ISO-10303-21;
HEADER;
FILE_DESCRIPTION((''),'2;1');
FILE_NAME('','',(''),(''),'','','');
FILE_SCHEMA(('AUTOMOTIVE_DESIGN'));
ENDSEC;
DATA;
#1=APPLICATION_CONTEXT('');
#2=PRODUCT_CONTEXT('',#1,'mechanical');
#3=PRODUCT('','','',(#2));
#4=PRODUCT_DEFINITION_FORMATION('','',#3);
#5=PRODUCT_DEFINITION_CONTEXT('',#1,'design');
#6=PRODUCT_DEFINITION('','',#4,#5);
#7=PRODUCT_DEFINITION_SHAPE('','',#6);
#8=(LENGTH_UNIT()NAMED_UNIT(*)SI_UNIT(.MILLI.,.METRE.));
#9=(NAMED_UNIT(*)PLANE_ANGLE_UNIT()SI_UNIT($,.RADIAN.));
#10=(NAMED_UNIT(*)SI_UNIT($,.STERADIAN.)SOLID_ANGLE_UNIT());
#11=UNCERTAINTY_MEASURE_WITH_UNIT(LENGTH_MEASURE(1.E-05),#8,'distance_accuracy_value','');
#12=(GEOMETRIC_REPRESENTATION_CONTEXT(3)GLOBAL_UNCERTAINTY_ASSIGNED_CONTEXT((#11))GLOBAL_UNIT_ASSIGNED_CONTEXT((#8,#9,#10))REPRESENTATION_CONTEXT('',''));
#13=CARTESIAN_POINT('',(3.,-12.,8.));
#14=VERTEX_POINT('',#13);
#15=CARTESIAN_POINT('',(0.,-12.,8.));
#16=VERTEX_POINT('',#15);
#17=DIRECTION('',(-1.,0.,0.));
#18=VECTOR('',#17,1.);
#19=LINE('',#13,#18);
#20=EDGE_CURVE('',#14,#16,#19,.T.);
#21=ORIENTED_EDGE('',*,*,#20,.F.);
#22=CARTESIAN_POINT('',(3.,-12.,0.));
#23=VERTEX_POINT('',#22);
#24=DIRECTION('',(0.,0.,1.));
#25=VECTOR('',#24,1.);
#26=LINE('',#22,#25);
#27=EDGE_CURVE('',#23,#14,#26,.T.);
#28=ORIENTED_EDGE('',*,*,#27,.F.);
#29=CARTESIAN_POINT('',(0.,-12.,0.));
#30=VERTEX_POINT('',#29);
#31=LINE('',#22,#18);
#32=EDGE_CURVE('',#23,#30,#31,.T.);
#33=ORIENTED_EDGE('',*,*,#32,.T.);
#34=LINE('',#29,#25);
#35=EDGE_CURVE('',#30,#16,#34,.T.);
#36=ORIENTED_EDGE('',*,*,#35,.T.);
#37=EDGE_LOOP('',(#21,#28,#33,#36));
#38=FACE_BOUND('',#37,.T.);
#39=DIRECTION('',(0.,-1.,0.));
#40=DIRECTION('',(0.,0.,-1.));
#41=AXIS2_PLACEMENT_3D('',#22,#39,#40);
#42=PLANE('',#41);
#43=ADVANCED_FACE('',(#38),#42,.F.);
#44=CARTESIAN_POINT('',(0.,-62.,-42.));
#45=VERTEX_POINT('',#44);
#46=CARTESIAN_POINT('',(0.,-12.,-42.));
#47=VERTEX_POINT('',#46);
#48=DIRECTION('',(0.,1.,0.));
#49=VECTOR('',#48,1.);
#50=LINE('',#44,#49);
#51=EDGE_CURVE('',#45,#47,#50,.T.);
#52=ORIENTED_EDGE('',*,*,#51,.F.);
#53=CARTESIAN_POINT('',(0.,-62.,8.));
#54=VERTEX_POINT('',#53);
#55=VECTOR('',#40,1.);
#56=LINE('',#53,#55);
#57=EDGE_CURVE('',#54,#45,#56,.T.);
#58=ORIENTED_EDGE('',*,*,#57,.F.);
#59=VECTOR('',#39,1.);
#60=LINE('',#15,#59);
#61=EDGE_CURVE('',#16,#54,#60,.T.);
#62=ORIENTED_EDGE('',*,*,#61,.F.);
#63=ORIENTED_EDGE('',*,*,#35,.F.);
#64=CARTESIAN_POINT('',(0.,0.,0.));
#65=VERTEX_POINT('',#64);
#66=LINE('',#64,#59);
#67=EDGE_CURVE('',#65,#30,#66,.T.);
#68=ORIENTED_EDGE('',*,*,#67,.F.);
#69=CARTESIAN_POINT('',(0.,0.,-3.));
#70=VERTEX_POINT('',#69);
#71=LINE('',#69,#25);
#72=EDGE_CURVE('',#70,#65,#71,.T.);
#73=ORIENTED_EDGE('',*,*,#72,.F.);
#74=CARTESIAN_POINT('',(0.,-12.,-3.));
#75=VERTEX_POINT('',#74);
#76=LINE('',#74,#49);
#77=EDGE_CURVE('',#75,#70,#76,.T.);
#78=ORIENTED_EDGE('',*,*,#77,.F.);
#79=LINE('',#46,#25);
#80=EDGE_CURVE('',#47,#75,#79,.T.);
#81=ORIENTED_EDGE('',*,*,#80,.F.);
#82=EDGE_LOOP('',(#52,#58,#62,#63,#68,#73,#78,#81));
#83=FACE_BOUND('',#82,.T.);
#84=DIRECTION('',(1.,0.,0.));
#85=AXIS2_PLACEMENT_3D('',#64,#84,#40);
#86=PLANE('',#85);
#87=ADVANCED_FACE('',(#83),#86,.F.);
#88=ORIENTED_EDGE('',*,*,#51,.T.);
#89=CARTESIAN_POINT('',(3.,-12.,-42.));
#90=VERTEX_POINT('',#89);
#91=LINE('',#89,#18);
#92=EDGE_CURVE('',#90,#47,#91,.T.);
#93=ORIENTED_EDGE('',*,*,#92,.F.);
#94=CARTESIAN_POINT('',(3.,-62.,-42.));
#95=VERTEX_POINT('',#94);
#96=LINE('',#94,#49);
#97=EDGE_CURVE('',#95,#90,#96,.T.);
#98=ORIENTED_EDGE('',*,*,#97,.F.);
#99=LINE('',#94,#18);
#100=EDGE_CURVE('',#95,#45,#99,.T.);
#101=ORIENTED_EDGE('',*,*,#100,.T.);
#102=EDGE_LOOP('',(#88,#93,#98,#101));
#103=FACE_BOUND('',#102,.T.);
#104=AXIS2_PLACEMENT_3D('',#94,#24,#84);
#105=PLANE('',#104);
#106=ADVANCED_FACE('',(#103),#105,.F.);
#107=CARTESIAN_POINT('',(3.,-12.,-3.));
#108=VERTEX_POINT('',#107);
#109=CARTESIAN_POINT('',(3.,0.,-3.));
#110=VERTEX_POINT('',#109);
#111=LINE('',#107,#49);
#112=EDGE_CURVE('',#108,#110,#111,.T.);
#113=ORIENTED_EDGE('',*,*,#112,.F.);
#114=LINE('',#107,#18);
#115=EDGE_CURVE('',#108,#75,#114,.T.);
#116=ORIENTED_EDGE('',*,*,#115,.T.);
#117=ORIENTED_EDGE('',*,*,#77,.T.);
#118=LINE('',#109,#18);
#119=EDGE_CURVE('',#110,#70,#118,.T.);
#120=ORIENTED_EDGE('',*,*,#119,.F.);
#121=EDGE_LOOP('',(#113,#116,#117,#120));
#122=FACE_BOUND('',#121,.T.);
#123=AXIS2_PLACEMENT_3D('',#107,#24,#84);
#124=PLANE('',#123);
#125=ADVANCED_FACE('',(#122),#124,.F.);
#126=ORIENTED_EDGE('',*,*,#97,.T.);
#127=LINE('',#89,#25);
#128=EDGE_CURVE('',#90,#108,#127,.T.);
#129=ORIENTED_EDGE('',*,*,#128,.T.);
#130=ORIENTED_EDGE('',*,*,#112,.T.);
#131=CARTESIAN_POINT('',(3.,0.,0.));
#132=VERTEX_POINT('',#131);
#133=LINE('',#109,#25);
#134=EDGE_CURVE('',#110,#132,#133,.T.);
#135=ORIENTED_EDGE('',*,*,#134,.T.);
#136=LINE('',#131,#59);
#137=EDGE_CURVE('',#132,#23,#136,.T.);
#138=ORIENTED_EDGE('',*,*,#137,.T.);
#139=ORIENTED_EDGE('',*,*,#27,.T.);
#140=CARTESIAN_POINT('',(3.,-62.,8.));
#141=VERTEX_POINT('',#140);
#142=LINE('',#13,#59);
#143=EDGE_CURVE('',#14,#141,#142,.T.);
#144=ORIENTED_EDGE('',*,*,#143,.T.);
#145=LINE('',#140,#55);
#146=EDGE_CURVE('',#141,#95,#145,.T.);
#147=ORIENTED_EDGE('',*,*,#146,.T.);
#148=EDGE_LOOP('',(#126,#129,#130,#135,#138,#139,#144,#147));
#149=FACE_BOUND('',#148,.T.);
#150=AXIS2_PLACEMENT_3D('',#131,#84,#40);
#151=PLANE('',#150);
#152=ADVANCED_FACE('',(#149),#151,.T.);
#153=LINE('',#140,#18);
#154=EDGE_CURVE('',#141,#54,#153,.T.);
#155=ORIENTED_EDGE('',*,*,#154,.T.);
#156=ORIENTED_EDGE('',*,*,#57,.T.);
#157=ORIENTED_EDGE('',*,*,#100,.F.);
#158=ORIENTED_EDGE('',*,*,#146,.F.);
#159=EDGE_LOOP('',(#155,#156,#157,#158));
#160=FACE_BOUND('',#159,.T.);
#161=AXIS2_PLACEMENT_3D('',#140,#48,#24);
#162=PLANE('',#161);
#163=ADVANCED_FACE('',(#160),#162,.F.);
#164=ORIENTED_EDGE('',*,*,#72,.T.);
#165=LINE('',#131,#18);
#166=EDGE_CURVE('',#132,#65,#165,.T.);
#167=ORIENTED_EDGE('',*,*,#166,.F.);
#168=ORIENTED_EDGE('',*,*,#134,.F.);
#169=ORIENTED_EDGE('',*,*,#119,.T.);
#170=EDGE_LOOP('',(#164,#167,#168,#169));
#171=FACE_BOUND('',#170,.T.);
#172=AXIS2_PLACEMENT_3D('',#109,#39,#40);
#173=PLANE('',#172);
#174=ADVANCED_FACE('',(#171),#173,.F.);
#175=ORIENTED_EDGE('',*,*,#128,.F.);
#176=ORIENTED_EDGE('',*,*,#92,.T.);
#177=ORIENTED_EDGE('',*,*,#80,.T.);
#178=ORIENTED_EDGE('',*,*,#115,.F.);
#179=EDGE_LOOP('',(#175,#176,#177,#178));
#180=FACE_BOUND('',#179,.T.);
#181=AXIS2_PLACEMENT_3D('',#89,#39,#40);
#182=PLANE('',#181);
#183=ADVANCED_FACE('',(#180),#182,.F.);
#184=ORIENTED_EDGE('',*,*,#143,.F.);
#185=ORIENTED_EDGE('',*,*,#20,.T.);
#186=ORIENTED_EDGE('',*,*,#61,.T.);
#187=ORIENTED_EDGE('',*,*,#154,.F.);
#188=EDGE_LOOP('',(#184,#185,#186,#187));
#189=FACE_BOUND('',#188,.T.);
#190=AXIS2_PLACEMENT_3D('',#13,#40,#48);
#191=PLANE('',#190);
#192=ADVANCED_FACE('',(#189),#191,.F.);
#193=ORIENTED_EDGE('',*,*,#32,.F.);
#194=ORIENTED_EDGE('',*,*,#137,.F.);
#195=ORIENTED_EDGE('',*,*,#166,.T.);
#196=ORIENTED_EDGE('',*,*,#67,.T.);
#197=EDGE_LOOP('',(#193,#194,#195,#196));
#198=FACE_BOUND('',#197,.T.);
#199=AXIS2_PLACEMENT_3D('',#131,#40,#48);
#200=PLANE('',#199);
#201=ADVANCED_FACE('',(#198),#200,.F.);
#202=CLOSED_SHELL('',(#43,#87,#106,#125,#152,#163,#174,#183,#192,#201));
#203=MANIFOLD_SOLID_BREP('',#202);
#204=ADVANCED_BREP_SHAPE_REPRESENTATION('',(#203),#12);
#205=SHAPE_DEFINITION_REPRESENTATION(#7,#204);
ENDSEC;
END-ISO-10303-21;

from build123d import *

# Parameters (mm, degrees)
BOSS_EXTRUDE1_DEPTH = 3


with BuildPart() as part:
    # Sketch1 → Boss-Extrude1 (new body)
    with BuildSketch(Plane(origin=(0, 0, 0), x_dir=(0, 0, -1), z_dir=(1, 0, 0))):
        Polygon((0, 0), (0, -12), (-8, -12), (-8, -62), (42, -62), (42, -12), (3, -12), (3, 0), align=None)
    extrude(amount=BOSS_EXTRUDE1_DEPTH)


solid = part.part
